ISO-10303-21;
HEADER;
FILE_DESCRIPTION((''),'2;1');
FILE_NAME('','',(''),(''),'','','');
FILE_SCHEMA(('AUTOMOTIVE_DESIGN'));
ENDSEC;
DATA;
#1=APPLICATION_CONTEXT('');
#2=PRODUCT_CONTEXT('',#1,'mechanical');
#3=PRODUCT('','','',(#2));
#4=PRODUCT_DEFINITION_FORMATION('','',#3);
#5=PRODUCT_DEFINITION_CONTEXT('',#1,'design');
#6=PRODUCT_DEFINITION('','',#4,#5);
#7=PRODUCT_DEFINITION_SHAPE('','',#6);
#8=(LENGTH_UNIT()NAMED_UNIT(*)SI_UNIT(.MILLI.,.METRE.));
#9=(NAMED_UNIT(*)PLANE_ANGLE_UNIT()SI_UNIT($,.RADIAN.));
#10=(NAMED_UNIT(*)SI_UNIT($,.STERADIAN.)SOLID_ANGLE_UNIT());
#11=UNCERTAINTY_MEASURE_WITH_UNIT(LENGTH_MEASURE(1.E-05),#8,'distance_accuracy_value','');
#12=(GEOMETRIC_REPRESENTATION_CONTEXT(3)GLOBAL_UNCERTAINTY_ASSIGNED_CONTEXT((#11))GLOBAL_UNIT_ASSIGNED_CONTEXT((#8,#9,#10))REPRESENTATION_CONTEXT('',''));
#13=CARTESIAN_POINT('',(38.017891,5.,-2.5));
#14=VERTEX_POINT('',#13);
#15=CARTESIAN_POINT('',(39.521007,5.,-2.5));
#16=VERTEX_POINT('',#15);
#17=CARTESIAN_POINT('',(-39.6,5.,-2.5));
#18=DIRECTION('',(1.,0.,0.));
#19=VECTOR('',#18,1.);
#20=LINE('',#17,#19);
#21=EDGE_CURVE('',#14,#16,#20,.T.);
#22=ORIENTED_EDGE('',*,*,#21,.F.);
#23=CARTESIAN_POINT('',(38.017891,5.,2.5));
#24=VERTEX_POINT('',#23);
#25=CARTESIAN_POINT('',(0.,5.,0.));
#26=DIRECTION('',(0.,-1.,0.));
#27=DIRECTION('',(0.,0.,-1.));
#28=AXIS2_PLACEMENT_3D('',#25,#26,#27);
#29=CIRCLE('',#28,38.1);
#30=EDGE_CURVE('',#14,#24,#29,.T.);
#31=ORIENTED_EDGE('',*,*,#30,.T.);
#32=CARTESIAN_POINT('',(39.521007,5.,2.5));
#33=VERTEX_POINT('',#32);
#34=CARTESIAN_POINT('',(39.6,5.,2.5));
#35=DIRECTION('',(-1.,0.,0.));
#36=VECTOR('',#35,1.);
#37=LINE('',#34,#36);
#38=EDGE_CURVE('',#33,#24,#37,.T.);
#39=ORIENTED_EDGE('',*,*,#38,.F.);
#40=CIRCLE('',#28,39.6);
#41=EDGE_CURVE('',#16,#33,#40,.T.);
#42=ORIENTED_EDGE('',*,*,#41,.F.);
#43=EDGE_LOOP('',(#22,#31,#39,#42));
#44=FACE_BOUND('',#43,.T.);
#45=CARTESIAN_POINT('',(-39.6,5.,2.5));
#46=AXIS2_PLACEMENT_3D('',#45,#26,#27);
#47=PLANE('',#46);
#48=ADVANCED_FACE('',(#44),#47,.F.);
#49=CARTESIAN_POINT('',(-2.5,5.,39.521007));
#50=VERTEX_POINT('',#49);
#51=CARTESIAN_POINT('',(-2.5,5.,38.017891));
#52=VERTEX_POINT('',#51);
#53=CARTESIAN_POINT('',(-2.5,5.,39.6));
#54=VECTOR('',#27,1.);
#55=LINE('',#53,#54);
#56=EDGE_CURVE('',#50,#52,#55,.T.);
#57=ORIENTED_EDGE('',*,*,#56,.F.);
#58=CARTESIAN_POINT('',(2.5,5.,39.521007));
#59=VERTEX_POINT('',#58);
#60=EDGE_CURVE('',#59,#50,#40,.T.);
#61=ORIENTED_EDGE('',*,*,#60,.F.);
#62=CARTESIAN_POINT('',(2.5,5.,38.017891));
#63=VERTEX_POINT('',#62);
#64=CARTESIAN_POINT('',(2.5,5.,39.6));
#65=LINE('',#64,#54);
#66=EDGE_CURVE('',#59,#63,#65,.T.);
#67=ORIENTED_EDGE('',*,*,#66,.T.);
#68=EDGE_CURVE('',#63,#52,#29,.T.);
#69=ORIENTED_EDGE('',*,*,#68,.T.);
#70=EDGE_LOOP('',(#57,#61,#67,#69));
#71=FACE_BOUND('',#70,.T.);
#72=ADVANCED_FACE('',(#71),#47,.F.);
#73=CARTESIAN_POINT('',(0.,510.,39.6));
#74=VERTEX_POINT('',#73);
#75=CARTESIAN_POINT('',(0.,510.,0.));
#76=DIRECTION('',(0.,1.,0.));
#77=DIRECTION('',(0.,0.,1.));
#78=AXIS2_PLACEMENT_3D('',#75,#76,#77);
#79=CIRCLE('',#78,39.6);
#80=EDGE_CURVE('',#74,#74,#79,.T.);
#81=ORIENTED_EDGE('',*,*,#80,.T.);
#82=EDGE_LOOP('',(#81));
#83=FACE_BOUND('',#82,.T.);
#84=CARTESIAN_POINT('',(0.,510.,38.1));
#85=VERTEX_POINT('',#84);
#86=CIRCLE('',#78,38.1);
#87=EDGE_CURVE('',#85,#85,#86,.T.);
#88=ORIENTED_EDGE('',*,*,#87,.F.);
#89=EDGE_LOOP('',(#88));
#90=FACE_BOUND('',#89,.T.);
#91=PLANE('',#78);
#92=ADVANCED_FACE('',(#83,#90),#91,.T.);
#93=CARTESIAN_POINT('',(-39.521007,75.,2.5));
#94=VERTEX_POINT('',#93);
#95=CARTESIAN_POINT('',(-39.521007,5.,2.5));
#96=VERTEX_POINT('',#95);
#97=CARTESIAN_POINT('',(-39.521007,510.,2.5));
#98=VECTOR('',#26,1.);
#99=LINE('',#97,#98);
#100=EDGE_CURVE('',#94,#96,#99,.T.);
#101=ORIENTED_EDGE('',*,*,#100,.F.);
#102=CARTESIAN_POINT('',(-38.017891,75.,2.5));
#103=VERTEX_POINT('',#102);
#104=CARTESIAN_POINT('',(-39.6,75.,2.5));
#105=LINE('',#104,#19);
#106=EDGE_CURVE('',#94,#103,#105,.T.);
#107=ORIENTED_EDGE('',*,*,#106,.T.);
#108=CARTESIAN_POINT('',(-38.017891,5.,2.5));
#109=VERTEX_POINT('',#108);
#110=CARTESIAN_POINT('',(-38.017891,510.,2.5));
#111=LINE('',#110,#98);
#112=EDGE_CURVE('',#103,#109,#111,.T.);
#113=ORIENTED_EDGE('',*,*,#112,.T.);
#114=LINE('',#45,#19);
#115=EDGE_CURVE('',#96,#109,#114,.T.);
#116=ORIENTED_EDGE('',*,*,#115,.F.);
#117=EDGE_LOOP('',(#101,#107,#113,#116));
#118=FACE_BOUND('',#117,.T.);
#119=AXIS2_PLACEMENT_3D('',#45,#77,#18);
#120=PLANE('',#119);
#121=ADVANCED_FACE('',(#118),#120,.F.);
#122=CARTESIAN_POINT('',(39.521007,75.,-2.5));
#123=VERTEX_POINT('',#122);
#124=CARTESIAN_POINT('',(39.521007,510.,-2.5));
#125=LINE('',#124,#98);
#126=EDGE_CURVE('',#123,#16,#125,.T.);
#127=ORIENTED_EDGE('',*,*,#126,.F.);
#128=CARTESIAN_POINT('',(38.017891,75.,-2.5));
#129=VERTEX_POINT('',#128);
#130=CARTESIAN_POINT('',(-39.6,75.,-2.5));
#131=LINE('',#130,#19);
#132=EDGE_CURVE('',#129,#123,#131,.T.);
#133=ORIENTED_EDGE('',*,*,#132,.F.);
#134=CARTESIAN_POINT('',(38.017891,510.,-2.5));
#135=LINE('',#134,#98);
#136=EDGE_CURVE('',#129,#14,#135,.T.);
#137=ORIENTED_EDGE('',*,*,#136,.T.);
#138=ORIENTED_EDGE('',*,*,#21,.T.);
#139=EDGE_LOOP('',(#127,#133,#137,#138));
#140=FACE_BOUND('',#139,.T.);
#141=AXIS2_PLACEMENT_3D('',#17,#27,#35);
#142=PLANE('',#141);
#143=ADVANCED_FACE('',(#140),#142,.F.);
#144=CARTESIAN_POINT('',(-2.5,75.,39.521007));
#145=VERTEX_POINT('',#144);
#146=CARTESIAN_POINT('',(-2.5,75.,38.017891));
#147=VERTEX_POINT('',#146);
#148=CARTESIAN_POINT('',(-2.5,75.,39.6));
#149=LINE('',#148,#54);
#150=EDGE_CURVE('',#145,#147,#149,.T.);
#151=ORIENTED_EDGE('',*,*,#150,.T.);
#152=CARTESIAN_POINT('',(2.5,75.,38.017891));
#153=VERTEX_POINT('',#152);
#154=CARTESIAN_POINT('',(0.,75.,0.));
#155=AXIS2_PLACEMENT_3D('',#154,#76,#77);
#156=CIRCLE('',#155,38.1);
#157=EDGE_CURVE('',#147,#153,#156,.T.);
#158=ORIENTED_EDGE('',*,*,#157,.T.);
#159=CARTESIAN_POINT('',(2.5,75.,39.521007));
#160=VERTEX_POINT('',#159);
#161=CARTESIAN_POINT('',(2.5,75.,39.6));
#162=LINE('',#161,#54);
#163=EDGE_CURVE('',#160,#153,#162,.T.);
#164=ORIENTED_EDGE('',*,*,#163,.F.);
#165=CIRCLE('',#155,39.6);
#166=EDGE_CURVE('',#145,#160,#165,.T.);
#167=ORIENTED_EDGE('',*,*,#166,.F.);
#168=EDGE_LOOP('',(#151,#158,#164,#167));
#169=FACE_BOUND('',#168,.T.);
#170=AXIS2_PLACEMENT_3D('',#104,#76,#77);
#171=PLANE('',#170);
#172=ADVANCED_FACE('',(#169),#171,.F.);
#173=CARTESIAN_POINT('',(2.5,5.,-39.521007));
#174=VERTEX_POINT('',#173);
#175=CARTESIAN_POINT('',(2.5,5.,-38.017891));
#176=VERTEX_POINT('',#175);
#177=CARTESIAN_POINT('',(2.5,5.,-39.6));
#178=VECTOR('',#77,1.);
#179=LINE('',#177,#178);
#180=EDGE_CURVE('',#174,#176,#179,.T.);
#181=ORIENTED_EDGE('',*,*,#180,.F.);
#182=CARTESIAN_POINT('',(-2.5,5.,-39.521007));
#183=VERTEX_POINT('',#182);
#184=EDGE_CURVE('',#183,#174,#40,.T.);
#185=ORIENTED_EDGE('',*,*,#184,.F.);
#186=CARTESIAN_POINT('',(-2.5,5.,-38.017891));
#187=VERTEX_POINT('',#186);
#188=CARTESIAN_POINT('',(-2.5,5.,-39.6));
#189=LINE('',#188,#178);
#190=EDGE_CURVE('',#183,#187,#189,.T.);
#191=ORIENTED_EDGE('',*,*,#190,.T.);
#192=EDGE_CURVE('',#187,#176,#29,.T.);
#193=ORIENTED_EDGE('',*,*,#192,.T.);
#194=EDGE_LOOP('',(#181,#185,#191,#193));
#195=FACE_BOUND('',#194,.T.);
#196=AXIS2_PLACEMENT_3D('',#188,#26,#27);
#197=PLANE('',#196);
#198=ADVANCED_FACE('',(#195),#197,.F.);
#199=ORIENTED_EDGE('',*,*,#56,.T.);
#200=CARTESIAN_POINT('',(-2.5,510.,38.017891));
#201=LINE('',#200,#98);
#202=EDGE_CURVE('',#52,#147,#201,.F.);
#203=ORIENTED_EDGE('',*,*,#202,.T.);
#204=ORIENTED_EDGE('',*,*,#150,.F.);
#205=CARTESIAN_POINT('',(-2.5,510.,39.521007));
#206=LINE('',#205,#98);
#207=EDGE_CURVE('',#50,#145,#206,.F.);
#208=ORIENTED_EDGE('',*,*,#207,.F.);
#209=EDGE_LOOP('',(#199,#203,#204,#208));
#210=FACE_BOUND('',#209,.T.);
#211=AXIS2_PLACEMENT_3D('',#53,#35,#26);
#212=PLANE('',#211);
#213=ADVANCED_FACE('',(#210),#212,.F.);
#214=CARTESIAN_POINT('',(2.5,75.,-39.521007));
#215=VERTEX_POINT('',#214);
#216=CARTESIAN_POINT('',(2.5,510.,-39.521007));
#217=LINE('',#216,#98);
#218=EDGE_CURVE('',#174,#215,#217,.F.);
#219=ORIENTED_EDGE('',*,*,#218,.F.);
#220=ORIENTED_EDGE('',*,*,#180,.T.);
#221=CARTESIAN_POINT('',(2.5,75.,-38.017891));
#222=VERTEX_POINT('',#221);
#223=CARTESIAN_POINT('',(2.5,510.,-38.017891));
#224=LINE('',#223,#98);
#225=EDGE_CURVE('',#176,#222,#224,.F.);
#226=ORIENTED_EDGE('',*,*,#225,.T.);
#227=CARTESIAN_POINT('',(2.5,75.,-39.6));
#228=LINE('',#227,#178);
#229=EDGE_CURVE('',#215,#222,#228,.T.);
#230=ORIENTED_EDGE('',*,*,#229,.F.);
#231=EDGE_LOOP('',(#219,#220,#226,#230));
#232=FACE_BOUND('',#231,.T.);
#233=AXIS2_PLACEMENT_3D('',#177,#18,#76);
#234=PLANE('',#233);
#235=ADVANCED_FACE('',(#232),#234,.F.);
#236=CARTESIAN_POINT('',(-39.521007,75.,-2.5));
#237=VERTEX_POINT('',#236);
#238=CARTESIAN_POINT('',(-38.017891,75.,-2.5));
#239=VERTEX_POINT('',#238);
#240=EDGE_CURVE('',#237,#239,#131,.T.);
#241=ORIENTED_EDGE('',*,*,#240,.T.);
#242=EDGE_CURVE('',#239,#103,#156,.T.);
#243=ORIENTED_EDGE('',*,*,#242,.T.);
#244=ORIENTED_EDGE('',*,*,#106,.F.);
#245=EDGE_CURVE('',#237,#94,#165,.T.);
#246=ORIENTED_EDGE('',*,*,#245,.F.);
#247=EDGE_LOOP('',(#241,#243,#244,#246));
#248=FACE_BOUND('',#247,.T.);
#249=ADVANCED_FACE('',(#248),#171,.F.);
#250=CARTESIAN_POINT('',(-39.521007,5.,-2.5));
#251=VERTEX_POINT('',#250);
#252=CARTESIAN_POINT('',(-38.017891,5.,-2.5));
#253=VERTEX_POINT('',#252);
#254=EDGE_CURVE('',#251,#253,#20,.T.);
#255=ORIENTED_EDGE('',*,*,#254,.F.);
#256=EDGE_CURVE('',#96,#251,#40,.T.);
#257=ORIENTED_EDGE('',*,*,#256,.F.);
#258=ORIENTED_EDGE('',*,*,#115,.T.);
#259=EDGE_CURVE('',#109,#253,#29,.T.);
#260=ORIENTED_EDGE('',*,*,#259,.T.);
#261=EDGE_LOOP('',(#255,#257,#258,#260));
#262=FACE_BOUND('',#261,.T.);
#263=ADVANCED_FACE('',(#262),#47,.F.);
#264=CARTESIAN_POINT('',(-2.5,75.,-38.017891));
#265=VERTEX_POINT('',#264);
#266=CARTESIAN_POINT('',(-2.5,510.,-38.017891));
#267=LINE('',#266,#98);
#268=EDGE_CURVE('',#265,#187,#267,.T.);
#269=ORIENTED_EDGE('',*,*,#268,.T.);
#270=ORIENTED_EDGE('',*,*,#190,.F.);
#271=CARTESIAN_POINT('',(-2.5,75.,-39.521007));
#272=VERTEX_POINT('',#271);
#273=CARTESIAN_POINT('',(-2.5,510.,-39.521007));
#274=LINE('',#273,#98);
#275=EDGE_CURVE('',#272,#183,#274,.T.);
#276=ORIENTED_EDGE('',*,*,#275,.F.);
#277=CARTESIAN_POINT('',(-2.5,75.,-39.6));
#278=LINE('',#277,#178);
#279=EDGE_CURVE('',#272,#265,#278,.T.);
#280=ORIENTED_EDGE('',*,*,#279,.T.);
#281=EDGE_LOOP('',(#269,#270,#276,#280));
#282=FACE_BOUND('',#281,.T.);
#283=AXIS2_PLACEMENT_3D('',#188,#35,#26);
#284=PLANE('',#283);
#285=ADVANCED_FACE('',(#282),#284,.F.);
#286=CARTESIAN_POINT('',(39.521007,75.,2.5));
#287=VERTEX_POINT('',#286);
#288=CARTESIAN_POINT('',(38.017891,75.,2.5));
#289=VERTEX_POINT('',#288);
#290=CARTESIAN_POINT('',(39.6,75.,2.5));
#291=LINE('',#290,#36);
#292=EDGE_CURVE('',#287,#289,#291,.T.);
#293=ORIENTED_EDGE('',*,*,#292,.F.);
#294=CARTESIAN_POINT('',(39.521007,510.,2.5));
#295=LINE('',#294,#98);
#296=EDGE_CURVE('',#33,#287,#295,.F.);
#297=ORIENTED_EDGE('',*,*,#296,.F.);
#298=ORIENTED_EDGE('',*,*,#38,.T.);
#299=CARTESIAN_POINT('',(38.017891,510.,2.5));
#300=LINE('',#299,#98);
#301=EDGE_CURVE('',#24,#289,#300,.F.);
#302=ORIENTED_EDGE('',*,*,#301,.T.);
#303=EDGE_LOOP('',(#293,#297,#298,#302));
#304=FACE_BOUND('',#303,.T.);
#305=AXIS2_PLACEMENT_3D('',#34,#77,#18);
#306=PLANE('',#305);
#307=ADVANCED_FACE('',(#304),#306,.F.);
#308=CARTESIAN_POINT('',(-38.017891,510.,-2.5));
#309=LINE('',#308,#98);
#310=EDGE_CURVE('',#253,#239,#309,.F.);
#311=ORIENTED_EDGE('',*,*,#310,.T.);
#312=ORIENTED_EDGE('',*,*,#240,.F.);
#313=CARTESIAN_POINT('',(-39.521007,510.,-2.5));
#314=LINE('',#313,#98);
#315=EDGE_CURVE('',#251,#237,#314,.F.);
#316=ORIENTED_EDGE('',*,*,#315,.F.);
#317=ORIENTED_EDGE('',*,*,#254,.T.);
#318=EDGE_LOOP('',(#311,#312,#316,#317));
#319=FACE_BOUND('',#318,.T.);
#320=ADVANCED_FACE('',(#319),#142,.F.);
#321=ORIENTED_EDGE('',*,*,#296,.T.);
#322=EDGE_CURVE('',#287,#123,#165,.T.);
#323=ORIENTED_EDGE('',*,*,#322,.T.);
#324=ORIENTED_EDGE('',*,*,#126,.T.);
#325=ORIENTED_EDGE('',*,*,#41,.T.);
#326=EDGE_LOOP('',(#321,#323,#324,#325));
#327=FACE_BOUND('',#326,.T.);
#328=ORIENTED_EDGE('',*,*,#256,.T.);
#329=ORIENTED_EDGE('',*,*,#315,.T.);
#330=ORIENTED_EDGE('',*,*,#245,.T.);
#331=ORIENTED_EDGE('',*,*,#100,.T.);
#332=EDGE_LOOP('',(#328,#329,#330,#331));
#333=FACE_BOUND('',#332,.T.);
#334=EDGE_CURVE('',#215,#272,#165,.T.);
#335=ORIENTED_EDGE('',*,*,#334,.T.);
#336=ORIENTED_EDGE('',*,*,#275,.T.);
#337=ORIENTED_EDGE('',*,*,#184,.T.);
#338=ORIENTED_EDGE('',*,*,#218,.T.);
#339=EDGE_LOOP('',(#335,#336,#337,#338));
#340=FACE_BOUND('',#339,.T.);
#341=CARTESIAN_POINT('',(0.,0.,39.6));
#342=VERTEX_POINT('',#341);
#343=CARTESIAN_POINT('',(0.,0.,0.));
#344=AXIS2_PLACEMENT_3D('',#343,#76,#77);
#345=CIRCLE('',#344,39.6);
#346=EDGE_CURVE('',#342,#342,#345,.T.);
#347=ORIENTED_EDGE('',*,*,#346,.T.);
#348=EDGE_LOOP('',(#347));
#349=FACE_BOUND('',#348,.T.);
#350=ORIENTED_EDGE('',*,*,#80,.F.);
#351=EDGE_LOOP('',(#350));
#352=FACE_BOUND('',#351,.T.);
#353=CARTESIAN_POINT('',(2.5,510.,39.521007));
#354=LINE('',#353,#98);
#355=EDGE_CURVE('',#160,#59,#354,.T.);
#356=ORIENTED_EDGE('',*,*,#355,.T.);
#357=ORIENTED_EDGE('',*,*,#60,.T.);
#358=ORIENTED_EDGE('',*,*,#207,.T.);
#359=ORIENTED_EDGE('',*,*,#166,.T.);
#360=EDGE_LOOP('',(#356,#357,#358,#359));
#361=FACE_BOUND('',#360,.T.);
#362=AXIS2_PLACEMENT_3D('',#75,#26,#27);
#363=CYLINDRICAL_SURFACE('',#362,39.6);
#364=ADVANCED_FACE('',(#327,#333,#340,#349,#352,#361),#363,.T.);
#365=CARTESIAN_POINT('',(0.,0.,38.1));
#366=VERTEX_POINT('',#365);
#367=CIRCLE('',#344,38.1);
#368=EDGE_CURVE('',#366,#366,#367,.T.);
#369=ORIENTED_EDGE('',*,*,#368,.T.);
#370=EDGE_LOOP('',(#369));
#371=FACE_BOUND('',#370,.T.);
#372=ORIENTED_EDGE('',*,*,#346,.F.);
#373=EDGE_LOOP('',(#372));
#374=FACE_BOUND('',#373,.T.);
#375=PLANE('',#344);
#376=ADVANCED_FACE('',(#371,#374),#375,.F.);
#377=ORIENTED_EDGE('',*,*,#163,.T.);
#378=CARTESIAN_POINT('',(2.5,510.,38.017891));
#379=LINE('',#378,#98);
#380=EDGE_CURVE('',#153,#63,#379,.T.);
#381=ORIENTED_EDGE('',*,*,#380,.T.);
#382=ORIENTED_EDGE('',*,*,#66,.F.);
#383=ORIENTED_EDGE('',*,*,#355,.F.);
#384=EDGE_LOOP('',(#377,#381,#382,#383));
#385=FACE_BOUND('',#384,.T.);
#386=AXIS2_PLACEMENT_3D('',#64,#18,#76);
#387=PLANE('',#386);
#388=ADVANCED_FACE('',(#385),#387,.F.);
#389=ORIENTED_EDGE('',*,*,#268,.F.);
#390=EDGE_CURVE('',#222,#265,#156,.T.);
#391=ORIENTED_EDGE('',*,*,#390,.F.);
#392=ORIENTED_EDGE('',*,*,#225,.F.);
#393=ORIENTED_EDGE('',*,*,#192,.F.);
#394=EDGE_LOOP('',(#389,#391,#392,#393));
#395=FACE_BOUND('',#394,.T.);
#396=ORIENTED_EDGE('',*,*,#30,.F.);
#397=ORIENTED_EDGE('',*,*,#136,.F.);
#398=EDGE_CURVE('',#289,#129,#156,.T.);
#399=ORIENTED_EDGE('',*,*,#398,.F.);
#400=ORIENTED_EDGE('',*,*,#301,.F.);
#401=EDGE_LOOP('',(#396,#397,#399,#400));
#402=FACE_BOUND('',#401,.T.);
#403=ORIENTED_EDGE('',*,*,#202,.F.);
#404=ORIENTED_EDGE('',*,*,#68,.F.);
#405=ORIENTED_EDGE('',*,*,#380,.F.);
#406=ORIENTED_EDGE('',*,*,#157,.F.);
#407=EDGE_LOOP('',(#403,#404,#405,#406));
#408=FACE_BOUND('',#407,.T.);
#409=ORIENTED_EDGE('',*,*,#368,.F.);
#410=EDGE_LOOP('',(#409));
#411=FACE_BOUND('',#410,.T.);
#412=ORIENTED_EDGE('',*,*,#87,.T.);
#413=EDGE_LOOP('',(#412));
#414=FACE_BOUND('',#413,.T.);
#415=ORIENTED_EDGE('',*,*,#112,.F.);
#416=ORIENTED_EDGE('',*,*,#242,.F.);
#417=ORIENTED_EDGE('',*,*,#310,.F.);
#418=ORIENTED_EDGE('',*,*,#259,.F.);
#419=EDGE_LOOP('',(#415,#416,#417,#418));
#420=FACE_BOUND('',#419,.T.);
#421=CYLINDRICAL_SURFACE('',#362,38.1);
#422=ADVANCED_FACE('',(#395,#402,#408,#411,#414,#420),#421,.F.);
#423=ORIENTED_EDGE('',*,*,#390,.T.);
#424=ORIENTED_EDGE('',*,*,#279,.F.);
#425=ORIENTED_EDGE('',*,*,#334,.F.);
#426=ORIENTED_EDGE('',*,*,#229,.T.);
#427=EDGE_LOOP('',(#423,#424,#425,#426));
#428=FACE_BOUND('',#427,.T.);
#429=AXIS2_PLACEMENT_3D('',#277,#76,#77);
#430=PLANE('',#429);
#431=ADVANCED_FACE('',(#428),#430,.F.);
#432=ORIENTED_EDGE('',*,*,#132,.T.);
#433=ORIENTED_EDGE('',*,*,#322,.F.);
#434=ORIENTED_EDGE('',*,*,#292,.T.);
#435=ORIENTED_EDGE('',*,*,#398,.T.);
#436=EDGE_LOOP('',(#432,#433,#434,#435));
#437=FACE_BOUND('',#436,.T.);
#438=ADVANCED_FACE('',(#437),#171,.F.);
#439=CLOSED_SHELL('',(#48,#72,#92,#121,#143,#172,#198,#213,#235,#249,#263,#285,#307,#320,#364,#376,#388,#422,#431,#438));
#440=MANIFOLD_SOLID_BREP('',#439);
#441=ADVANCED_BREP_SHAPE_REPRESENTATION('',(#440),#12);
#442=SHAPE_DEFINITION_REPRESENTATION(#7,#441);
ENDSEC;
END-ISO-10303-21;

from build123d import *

# Parameters (mm, degrees)
SKETCH1_R           = 39.6
SKETCH1_R_2         = 38.1
BOSS_EXTRUDE1_DEPTH = 510
SKETCH2_W           = 5
SKETCH2_H           = 70
CUT_EXTRUDE1_DEPTH  = 514.06560984
CIRPATTERN1_COUNT   = 4


with BuildPart() as part:
    # Sketch1 → Boss-Extrude1 (new body)
    with BuildSketch(Plane(origin=(0, 0, 0), x_dir=(1, 0, 0), z_dir=(0, 1, 0))):
        with Locations(Location((0, 0, 0), (0, 0, 270))):
            Circle(SKETCH1_R)
        with Locations(Location((0, 0, 0), (0, 0, 270))):
            Circle(SKETCH1_R_2, mode=Mode.SUBTRACT)
    extrude(amount=BOSS_EXTRUDE1_DEPTH)

    # Sketch2 → Cut-Extrude1 (cut, through all)
    with BuildSketch(Plane.XY):
        with Locations((0, 40)):
            Rectangle(SKETCH2_W, SKETCH2_H)
    cut_extrude1 = extrude(amount=-CUT_EXTRUDE1_DEPTH, mode=Mode.SUBTRACT)

    # CirPattern1: Cut-Extrude1 ×4 about axis
    cirpattern1_axis = Axis((0, 0, 0), (0, 1, 0))
    for i in range(1, CIRPATTERN1_COUNT):
        add(cut_extrude1.rotate(cirpattern1_axis, i * 360 / CIRPATTERN1_COUNT), mode=Mode.SUBTRACT)


solid = part.part
